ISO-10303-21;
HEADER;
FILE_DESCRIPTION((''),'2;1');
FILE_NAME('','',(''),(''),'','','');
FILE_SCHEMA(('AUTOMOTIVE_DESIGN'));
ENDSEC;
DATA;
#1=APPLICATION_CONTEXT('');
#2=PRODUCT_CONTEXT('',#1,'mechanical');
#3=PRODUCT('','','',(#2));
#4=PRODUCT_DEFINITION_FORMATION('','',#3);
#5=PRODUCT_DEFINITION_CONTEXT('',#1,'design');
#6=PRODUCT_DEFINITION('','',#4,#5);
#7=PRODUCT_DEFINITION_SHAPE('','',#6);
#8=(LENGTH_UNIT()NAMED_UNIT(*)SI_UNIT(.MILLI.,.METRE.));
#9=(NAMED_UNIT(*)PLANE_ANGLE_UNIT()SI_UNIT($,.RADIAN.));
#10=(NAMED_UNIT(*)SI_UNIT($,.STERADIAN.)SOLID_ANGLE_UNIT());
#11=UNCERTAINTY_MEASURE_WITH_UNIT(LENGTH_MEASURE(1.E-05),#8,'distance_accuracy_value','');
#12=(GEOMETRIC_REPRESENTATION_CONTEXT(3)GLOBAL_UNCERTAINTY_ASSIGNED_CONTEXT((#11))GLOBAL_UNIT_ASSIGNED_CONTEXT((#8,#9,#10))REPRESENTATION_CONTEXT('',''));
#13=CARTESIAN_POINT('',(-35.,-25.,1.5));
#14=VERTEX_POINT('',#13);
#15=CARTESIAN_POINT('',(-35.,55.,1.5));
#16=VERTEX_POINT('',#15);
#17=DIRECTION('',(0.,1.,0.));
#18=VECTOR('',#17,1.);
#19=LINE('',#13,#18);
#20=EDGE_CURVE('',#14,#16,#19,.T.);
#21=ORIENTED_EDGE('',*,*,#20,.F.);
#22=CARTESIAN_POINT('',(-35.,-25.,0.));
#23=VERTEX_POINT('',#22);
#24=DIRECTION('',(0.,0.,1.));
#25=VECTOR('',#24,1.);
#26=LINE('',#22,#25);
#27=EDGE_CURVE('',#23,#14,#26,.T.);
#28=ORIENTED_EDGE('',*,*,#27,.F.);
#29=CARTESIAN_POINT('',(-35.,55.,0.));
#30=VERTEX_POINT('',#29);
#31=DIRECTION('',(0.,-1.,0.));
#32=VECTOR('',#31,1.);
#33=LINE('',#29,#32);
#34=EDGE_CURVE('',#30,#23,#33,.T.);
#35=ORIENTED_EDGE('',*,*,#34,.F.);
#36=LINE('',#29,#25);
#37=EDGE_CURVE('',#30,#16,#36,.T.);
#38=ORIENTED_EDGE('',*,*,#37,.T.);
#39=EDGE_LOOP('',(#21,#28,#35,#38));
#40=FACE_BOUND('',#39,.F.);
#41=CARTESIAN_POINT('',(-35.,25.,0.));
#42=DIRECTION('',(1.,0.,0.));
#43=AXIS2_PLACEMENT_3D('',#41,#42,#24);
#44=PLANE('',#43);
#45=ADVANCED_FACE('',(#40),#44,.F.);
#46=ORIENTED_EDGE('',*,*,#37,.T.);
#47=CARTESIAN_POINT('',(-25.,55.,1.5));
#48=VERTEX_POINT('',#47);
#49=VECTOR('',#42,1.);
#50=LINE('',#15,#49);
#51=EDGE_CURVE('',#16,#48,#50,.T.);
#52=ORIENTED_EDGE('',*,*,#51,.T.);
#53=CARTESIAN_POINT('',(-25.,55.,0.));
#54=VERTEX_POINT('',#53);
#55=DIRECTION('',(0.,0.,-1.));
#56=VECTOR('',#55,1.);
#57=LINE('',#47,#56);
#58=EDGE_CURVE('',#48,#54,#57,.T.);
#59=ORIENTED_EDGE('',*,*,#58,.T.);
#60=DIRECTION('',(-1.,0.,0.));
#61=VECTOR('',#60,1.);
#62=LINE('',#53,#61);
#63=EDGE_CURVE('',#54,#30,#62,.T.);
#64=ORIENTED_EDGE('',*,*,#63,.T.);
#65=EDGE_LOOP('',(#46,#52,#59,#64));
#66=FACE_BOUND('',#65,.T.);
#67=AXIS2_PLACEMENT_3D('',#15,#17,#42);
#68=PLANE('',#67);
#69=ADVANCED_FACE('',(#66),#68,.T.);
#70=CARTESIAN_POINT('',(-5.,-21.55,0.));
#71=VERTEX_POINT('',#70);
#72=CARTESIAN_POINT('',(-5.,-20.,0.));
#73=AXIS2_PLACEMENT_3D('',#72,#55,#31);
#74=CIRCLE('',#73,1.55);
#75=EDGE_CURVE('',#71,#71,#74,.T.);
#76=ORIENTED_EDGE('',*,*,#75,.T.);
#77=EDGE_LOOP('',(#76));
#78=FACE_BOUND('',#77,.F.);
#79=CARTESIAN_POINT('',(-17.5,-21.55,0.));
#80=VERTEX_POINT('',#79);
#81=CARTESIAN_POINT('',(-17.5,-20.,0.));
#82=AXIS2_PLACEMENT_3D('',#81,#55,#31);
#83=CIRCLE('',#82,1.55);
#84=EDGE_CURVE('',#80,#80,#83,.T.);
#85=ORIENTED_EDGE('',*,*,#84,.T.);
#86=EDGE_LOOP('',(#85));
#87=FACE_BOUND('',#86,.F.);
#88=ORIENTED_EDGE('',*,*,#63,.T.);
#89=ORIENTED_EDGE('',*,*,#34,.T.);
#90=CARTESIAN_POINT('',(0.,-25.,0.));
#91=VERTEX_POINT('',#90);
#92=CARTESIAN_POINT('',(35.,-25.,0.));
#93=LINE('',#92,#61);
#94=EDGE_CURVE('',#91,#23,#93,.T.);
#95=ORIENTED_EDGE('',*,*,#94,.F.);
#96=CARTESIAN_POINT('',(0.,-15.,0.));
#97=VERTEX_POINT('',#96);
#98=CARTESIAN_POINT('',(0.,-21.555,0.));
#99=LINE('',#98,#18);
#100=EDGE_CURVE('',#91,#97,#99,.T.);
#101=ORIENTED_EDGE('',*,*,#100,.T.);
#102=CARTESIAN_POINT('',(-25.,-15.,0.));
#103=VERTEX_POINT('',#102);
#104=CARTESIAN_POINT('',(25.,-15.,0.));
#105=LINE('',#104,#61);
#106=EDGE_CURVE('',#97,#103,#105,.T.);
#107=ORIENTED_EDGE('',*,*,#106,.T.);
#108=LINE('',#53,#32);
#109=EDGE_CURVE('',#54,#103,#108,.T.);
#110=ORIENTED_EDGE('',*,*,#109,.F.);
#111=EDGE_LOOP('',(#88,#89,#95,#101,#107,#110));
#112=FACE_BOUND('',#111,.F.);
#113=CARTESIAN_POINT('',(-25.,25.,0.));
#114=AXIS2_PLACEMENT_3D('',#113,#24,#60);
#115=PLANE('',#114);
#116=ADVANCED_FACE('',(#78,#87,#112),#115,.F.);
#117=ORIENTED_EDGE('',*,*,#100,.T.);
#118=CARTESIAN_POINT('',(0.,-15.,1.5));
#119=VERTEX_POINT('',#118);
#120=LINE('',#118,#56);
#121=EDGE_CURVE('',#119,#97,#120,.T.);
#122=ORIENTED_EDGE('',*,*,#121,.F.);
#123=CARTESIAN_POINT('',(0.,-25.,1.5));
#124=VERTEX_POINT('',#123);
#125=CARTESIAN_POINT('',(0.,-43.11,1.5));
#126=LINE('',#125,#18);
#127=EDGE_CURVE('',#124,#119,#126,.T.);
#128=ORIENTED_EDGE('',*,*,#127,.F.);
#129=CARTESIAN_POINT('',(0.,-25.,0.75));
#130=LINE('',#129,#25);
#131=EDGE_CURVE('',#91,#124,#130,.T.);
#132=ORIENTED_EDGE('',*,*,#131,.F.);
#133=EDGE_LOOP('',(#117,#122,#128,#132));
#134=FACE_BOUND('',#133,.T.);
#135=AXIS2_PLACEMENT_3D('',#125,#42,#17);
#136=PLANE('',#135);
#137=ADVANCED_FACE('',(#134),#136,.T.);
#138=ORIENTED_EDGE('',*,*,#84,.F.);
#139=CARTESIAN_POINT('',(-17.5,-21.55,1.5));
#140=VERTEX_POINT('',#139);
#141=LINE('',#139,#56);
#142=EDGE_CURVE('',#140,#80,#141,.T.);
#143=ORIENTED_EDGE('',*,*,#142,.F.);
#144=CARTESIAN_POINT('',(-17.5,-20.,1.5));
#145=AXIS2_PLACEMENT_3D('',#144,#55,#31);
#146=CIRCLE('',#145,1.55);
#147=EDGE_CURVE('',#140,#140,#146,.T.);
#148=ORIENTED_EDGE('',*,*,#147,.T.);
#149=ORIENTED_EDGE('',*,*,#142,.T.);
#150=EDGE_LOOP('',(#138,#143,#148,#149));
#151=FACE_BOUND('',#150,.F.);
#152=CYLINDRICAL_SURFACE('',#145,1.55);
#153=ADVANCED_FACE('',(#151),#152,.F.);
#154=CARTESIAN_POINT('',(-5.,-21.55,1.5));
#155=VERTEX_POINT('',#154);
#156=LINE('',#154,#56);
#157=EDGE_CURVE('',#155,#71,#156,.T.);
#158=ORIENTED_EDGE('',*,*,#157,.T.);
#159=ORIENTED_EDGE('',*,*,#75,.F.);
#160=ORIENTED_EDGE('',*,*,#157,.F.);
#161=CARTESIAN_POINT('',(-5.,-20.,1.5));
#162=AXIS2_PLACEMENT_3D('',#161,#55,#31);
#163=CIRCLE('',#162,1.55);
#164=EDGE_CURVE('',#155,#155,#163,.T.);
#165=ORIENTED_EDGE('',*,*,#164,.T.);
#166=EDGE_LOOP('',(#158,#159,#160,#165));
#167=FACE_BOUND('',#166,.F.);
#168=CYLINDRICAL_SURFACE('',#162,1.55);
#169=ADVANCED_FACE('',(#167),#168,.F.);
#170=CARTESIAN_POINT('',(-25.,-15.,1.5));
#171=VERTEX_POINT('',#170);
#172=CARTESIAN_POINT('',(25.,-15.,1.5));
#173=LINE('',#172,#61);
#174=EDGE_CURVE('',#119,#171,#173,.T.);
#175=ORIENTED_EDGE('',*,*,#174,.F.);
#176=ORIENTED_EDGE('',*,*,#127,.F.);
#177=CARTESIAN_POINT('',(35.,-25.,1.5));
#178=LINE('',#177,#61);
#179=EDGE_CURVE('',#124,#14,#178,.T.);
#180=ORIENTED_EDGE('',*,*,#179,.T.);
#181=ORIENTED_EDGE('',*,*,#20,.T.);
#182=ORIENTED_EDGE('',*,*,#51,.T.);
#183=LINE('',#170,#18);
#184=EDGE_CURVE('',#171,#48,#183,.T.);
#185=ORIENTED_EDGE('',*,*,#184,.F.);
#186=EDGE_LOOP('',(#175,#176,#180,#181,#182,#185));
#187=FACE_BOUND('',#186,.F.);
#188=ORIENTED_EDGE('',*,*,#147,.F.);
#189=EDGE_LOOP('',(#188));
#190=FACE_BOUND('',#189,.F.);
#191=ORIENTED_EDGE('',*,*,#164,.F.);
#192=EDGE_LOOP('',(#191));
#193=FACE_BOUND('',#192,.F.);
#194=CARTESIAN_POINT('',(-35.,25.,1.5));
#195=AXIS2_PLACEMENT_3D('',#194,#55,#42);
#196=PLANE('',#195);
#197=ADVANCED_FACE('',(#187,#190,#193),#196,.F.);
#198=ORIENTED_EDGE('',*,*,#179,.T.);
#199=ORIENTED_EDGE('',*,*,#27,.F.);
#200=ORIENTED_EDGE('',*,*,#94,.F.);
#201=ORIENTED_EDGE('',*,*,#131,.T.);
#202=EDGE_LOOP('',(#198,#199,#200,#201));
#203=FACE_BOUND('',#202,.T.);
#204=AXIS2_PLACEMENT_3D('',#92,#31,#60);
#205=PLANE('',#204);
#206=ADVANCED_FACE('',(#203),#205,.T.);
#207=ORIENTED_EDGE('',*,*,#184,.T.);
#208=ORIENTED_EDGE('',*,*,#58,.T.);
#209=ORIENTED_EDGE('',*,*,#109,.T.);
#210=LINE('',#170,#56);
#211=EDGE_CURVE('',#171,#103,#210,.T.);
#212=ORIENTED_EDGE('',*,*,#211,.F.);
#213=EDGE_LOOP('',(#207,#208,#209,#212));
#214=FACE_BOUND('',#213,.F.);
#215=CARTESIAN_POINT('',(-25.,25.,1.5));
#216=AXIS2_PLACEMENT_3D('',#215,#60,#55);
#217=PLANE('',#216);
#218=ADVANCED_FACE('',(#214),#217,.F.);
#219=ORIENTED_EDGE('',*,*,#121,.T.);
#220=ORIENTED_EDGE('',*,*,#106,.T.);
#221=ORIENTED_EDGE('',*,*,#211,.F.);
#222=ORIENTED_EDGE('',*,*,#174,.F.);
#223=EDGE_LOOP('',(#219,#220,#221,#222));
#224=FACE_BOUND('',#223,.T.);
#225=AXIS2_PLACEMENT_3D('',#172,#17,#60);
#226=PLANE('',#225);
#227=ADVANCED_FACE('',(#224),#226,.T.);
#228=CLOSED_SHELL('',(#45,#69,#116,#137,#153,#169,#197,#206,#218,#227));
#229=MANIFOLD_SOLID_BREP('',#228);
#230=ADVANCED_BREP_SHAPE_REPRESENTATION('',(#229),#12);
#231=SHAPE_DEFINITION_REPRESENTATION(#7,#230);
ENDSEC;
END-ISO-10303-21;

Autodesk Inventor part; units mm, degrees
ref_plane "YZ Plane" through (0, 0, 0) normal (1, 0, 0) x (0, 1, 0)
ref_plane "XZ Plane" through (0, 0, 0) normal (0, 1, 0) x (-1, 0, 0)
ref_plane "XY Plane" through (0, 0, 0) normal (0, 0, 1) x (1, 0, 0)
sketch "スケッチ1" plane through (0, 0, 0) normal (0, 0, 1) x (1, 0, 0)
  line L0 (-35, 25) -> (35, 25)
  line L1 (35, 25) -> (35, -25)
  line L2 (35, -25) -> (-35, -25)
  line L3 (-35, -25) -> (-35, 25)
  line L4 (-35, 25) -> (35, -25) construction
  line L5 (35, 25) -> (-35, -25) construction
  point P0 (0, 0)
  dimension "d0" = 70
  dimension "d1" = 50
extrude "押し出し1" add sketch "スケッチ1" along normal blind 1.5
sketch "スケッチ2" plane through (0, 0, 1.5) normal (0, 0, 1) x (1, 0, 0)
  line L0 (-25, 25) -> (25, 25)
  line L1 (25, 25) -> (25, -15)
  line L2 (25, -15) -> (-25, -15)
  line L3 (-25, -15) -> (-25, 25)
  line L4 (-35, 25) -> (-35, -25) projected
  line L5 (35, -25) -> (35, 25) projected
  line L6 (-35, -25) -> (35, -25) projected
  point P0 (0, 0)
  dimension "d4" = 10
  dimension "d5" = 10
  dimension "d6" = 10
extrude "押し出し2" cut sketch "スケッチ2" against normal blind 1.5
sketch "スケッチ3" plane through (0, 0, 1.5) normal (0, 0, 1) x (1, 0, 0)
  line L0 (35, -25) -> (35, 25) projected
  line L1 (-35, 25) -> (-35, -25) projected
  line L2 (25, -15) -> (-25, -15) projected
  point P0 (0, 0)
  point P1 (-17.5, -20)
  point P2 (17.5, -20)
  dimension "d9" = 17.5
  dimension "d10" = 17.5
  dimension "d11" = 5
hole "穴1" at (-17.5, -20, 1.5) at (17.5, -20, 1.5) direction (0, 0, -1) diameter 3.1 end through all
sketch "スケッチ5" plane through (0, 0, 1.5) normal (0, 0, 1) x (1, 0, 0)
  line L0 (-35, -25) -> (35, -25) projected
  line L1 (-35, 25) -> (-35, -25) projected
  point P0 (0, 0)
  point P1 (-5, -20)
  point P2 (5, -20)
  point P3 (-35, 55)
  dimension "d21" = 10
  dimension "d22" = 5
  dimension "d23" = 30
hole "穴2" at (-5, -20, 1.5) at (5, -20, 1.5) direction (0, 0, -1) diameter 3.1 end through all
sketch "スケッチ6" plane through (0, 0, 1.5) normal (0, 0, 1) x (1, 0, 0)
  line L0 (0, 82.7836) -> (64.7866, 82.7836)
  line L1 (64.7866, 82.7836) -> (64.7866, -43.11)
  line L2 (64.7866, -43.11) -> (0, -43.11)
  line L3 (0, -43.11) -> (0, 82.7836)
  point P0 (0, 0)
extrude "押し出し4" cut sketch "スケッチ6" against normal blind 30
sketch "スケッチ7" plane through (-35, 25, 1.5) normal (0, 1, 0) x (1, 0, 0)
  line L0 (0, 0) -> (10, 0)
  line L1 (10, 0) -> (10, 1.5)
  line L2 (10, 1.5) -> (0, 1.5)
  line L3 (0, 1.5) -> (0, 0)
  point P0 (35, 1.5)
extrude "押し出し5" add sketch "スケッチ7" along normal blind 30
properties part number "爪_4" material "アルミニウム 6061"
